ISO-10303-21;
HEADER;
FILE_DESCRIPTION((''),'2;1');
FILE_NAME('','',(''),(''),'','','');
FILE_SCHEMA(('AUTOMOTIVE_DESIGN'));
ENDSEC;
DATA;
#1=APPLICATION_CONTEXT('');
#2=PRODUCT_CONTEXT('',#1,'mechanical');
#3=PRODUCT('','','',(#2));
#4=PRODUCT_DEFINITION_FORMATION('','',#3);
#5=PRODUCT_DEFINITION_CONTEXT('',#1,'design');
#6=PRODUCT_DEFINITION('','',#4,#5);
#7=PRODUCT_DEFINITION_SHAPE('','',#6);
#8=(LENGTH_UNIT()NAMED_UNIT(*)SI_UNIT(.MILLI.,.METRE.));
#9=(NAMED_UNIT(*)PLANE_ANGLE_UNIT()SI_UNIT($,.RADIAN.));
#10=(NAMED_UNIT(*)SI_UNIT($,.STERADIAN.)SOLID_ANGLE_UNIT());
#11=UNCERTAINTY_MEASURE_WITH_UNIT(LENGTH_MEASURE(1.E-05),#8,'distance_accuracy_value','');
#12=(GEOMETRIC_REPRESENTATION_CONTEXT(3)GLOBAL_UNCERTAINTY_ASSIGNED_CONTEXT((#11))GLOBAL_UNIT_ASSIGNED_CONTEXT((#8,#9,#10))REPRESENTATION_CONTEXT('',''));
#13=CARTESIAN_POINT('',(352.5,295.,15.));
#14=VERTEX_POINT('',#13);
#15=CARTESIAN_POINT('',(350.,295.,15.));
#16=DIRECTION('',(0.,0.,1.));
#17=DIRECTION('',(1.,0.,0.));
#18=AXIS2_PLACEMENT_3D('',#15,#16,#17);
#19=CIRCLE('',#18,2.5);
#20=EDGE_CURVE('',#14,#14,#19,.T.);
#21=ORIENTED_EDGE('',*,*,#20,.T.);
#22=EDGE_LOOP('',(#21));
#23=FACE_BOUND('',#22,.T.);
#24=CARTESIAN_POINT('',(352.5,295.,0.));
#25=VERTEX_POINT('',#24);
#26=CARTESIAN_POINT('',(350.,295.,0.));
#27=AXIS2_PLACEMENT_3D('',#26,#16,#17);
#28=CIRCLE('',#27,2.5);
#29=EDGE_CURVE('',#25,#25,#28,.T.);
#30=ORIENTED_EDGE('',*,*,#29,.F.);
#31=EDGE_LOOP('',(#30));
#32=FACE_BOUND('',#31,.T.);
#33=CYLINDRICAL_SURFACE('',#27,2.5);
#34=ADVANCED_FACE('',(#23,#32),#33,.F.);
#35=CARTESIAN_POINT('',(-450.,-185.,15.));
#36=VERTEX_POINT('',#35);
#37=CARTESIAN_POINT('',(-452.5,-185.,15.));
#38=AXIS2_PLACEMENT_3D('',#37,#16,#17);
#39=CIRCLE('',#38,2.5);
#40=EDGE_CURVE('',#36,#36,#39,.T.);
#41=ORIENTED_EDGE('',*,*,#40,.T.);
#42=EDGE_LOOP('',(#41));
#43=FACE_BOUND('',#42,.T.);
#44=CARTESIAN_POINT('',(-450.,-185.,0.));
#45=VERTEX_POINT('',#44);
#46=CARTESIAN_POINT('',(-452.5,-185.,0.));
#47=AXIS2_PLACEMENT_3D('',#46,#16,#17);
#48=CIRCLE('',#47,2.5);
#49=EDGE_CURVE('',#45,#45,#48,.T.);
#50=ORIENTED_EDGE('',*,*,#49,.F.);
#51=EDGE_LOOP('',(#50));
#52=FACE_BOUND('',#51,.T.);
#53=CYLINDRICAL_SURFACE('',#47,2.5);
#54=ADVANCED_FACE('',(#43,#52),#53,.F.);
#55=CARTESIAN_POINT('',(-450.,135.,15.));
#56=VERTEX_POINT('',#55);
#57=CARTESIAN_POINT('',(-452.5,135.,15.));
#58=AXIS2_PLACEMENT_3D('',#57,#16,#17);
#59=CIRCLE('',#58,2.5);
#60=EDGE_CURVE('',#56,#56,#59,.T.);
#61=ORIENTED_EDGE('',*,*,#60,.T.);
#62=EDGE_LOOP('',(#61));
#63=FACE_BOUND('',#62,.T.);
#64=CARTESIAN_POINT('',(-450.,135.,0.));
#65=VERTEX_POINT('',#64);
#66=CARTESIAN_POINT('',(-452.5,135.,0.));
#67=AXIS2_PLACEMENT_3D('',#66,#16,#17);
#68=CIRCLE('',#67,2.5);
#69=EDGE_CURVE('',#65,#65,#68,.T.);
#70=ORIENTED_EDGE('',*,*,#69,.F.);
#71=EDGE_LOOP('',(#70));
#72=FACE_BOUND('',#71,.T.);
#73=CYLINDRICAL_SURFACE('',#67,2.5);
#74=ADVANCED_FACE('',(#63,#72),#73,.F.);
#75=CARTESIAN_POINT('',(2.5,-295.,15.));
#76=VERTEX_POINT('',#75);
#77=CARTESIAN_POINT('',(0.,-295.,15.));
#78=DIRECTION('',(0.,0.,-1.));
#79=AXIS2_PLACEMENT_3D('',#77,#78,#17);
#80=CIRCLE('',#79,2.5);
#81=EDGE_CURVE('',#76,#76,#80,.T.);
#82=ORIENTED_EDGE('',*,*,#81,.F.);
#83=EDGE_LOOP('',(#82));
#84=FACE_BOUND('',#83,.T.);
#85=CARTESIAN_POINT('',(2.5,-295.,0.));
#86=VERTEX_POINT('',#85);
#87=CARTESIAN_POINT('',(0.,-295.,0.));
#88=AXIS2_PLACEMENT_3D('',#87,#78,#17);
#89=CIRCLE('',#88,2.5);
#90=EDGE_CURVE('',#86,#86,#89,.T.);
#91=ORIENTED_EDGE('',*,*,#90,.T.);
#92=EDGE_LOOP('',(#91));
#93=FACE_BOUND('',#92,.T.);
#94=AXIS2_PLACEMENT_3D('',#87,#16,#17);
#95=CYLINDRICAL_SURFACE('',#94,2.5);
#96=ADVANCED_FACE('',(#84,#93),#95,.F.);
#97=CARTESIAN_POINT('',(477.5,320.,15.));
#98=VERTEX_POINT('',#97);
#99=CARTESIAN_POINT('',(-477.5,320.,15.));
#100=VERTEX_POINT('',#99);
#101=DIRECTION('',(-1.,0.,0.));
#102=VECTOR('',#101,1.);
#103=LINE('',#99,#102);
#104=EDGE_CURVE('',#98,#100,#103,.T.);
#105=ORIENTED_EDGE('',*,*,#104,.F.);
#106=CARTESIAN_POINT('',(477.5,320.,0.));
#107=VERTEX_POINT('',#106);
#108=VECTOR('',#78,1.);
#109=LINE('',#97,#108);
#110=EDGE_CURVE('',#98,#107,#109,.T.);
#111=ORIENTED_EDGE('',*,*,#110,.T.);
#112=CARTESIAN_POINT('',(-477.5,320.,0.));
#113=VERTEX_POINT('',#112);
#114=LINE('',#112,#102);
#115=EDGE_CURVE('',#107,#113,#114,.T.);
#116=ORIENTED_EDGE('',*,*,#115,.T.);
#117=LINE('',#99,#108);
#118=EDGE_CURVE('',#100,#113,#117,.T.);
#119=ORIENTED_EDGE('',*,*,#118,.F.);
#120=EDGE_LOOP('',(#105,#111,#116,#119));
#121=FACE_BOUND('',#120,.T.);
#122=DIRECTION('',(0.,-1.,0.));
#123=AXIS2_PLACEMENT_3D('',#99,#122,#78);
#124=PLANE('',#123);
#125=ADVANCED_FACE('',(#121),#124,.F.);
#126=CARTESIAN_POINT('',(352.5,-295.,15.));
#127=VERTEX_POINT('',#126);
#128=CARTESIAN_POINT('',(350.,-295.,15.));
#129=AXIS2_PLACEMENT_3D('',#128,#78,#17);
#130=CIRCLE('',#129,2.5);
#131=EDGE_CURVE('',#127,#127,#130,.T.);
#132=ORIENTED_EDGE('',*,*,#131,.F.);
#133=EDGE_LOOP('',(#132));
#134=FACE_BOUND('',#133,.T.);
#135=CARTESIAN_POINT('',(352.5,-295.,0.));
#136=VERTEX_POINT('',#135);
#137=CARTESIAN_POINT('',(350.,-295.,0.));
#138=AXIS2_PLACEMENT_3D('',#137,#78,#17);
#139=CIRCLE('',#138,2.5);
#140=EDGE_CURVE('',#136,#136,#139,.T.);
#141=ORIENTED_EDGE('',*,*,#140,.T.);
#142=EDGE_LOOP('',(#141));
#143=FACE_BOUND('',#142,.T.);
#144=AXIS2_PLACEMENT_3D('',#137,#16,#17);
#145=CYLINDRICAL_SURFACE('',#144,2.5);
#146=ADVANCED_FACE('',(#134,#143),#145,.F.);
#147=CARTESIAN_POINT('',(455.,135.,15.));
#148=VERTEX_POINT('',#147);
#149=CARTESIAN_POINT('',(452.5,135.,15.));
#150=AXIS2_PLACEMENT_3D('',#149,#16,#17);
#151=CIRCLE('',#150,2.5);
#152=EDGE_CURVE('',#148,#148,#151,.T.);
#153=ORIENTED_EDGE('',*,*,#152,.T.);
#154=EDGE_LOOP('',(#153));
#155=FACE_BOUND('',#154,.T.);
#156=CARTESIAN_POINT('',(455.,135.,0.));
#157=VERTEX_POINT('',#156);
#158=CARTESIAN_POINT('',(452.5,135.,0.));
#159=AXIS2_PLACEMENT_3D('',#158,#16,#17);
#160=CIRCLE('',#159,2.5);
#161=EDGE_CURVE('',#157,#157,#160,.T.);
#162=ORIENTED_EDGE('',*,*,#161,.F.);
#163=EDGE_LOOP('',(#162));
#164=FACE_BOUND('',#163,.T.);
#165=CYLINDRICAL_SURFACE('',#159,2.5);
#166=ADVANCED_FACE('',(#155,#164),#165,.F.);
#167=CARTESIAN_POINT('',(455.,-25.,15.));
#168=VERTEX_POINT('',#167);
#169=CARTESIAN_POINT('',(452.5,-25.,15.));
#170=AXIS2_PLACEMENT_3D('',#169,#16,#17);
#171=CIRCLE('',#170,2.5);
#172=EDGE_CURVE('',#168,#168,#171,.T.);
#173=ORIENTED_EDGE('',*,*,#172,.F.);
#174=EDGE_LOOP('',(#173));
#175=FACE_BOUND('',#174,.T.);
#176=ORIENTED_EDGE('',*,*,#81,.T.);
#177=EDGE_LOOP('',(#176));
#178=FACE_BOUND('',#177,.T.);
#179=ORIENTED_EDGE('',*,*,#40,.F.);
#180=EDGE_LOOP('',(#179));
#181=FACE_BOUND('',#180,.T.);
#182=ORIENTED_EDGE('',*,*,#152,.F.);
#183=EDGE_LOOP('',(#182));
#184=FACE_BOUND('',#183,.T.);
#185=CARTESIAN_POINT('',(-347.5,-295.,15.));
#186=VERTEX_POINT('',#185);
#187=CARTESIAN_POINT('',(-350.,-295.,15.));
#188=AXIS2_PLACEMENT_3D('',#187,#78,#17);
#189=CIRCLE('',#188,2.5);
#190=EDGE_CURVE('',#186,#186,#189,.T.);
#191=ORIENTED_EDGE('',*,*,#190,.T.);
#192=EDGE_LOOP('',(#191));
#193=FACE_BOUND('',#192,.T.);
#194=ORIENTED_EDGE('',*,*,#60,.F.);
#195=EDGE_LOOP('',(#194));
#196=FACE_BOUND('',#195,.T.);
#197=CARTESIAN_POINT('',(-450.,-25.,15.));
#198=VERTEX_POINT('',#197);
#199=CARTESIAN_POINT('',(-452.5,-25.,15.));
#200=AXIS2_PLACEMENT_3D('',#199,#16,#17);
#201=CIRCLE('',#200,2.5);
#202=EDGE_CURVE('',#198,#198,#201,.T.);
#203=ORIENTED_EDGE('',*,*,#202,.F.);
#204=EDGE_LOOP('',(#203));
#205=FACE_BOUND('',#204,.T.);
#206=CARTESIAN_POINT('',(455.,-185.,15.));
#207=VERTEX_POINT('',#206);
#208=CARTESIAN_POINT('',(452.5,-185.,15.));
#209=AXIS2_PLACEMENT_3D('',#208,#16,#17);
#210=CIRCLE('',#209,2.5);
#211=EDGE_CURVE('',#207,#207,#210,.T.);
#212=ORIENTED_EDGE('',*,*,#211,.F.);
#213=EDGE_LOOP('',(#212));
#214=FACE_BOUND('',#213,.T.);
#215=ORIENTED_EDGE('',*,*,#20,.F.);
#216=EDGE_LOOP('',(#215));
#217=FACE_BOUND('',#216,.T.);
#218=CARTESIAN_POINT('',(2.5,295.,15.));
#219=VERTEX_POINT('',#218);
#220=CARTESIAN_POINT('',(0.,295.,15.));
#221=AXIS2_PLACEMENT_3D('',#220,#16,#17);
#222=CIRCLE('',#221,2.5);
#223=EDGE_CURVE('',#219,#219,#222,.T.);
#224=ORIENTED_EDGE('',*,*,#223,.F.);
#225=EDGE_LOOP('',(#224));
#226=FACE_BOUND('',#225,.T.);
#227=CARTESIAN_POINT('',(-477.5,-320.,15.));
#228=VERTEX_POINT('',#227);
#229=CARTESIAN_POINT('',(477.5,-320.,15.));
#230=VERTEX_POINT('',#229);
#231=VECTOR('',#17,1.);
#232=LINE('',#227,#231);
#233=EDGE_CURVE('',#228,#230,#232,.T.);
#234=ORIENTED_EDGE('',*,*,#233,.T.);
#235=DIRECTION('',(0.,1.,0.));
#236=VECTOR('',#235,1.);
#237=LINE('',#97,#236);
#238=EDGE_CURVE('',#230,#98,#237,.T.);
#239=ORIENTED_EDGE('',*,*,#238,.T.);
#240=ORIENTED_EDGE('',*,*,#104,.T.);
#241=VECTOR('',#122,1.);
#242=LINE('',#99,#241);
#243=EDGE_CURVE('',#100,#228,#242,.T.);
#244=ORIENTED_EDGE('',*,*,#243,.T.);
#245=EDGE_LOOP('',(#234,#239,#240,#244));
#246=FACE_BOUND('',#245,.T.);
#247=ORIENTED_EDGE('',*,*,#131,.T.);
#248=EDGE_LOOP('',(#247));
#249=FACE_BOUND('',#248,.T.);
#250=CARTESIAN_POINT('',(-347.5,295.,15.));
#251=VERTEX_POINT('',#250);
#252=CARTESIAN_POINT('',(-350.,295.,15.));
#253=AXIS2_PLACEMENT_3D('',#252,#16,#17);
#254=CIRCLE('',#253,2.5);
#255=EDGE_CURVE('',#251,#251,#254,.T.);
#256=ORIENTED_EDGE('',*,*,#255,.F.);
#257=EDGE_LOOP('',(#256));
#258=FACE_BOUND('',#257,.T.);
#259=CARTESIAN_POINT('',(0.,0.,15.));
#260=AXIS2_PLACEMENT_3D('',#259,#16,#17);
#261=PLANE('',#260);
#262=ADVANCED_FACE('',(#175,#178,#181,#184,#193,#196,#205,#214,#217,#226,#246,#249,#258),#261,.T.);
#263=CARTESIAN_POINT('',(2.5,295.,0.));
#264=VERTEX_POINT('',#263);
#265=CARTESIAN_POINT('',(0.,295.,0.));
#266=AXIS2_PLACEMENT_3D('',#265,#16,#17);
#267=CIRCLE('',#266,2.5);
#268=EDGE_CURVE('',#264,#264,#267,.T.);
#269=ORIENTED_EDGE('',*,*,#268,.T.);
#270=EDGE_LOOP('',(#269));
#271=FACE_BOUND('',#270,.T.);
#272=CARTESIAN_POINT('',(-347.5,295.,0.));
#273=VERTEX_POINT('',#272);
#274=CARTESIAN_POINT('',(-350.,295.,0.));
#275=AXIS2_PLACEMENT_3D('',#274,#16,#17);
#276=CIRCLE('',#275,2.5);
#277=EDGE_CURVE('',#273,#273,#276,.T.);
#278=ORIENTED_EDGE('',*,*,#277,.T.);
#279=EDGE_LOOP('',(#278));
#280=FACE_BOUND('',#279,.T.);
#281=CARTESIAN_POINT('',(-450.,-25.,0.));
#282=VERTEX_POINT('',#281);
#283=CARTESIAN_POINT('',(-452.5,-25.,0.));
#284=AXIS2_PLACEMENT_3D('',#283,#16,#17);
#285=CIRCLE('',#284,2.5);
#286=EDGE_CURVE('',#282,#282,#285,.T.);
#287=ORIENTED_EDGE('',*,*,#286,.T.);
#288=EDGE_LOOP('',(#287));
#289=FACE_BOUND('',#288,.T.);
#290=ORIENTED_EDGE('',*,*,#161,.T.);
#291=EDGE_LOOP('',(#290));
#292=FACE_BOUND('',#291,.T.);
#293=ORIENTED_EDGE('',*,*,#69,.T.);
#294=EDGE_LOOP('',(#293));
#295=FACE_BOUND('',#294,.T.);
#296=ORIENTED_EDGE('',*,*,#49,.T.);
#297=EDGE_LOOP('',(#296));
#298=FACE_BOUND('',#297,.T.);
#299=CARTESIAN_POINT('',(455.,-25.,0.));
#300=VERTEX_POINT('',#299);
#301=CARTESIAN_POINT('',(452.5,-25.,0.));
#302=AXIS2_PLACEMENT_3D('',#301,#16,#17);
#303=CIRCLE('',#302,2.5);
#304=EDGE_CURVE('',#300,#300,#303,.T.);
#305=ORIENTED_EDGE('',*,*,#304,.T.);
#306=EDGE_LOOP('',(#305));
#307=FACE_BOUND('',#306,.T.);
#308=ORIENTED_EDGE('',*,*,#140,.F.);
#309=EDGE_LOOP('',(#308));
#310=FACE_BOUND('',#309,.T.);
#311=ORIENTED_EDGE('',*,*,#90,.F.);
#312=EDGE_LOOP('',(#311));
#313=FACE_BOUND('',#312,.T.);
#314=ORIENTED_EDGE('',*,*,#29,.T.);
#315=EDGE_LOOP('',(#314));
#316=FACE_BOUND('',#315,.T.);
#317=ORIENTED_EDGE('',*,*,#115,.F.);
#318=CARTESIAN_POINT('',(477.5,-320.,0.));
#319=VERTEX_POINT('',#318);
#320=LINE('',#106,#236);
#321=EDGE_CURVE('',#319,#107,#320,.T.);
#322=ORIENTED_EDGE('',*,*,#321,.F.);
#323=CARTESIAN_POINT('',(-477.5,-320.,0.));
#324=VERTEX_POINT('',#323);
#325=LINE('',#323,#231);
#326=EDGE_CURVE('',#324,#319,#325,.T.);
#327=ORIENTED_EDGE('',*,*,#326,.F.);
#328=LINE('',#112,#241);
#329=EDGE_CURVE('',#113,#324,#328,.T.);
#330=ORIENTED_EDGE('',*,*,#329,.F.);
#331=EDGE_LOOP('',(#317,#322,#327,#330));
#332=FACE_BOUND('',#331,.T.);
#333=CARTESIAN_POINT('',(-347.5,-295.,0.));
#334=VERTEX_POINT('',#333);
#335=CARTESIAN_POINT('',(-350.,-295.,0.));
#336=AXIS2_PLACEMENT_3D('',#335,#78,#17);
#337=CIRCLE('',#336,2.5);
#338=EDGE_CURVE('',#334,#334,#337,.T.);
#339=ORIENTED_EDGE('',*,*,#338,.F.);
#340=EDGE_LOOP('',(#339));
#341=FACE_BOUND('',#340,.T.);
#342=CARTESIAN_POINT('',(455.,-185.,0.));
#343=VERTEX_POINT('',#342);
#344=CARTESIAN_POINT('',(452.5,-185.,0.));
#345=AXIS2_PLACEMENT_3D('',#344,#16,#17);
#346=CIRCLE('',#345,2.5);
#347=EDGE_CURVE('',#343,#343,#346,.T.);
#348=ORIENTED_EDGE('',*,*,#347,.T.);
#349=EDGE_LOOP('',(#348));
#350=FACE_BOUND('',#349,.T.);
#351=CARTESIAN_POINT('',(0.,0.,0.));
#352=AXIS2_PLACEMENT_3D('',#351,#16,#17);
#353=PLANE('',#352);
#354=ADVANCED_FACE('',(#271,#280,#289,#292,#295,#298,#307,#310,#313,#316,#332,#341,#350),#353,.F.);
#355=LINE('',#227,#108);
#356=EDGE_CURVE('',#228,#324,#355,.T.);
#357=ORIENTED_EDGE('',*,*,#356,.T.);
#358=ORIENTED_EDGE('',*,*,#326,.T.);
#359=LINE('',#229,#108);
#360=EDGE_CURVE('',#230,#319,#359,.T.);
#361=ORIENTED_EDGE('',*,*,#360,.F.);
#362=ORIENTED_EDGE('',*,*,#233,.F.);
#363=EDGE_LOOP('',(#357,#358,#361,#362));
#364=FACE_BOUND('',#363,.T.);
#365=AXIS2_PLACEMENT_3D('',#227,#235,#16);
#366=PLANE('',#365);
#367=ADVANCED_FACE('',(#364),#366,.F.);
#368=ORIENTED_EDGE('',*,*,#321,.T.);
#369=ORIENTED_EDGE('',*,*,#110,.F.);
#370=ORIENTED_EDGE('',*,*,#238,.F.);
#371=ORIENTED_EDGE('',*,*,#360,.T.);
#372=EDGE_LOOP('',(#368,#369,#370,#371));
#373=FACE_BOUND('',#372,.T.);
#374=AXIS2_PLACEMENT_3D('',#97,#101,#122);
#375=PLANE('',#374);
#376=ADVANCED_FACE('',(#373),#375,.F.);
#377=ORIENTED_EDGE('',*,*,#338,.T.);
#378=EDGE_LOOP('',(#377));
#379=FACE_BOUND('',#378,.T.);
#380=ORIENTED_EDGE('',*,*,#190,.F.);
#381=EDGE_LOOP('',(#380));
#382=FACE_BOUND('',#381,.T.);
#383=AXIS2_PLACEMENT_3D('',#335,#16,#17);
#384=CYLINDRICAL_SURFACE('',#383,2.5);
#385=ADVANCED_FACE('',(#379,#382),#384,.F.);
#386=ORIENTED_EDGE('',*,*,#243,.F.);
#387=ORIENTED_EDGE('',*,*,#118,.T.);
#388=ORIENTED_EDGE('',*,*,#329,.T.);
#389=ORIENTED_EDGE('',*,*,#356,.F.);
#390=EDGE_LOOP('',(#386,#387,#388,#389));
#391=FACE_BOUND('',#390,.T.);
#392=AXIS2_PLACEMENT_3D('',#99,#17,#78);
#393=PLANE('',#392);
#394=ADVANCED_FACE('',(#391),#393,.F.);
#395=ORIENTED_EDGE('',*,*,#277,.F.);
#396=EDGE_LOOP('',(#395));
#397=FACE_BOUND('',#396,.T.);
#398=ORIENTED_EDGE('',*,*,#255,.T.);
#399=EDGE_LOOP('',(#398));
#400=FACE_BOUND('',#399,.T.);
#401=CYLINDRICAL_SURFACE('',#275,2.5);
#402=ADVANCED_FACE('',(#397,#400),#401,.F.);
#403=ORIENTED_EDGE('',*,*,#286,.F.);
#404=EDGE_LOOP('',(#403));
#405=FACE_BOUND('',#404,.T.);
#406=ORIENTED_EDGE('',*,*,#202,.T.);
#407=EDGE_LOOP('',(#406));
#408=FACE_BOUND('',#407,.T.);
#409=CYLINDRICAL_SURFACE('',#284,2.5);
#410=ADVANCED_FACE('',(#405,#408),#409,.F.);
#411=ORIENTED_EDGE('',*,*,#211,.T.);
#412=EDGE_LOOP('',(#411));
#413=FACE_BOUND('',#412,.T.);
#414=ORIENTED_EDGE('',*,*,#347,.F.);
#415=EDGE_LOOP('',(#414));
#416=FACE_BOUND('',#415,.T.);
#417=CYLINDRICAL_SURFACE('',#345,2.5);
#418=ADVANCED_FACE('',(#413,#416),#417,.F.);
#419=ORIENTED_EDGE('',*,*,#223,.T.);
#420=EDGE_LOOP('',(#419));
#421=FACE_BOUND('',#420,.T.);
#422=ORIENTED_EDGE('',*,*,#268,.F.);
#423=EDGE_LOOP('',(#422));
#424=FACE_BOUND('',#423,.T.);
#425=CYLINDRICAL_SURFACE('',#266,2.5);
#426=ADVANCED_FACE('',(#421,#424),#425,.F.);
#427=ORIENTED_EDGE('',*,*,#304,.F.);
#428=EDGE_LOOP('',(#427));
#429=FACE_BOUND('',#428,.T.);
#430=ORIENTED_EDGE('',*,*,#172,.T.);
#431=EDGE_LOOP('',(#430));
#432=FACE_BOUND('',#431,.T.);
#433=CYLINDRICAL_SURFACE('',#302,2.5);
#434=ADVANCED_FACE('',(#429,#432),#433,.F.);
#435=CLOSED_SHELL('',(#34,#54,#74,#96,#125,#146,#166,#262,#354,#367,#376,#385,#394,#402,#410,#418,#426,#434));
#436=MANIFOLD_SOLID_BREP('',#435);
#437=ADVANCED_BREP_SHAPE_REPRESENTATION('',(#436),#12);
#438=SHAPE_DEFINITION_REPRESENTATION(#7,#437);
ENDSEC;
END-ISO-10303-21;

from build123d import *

# Parameters (mm, degrees)
SKETCH_1_W               = 955
SKETCH_1_H               = 640
EXTRUDE_1_DEPTH          = 15
SKETCH_2_R               = 2.5
CUT_EXTRUDE_1_DEPTH      = 1
CUT_EXTRUDE_1_DEPTH_BACK = 16
SKETCH_2_3_R             = 2.5
CUT_EXTRUDE_2_DEPTH      = 16


with BuildPart() as part:
    # ｽｹｯﾁ1 → ﾎﾞｽ - 押し出し1 (new body)
    with BuildSketch(Plane.XY):
        Rectangle(SKETCH_1_W, SKETCH_1_H)
    extrude(amount=EXTRUDE_1_DEPTH)

    # ｽｹｯﾁ2 → ｶｯﾄ - 押し出し1 (cut, two sides)
    with BuildSketch(Plane.XY.offset(15)) as cut_extrude_1_sk:
        with Locations((-452.5, -185)):
            Circle(SKETCH_2_R)
        with Locations((452.5, -185)):
            Circle(SKETCH_2_R)
        with Locations((452.5, -25)):
            Circle(SKETCH_2_R)
        with Locations((-452.5, -25)):
            Circle(SKETCH_2_R)
        with Locations((-452.5, 135)):
            Circle(SKETCH_2_R)
        with Locations((452.5, 135)):
            Circle(SKETCH_2_R)
    extrude(amount=CUT_EXTRUDE_1_DEPTH, mode=Mode.SUBTRACT)
    extrude(cut_extrude_1_sk.sketch, amount=-CUT_EXTRUDE_1_DEPTH_BACK, mode=Mode.SUBTRACT)

    # ｽｹｯﾁ2<3> → ｶｯﾄ - 押し出し2 (cut, through all)
    with BuildSketch(Plane.XY.offset(15)):
        with Locations((0, 295)):
            Circle(SKETCH_2_3_R)
        with Locations((-350, 295)):
            Circle(SKETCH_2_3_R)
        with Locations((350, 295)):
            Circle(SKETCH_2_3_R)
    cut_extrude_2 = extrude(amount=-CUT_EXTRUDE_2_DEPTH, mode=Mode.SUBTRACT)

    # ﾐﾗｰ1: ｶｯﾄ - 押し出し2 across plane
    add(cut_extrude_2.mirror(Plane.ZX), mode=Mode.SUBTRACT)


solid = part.part
